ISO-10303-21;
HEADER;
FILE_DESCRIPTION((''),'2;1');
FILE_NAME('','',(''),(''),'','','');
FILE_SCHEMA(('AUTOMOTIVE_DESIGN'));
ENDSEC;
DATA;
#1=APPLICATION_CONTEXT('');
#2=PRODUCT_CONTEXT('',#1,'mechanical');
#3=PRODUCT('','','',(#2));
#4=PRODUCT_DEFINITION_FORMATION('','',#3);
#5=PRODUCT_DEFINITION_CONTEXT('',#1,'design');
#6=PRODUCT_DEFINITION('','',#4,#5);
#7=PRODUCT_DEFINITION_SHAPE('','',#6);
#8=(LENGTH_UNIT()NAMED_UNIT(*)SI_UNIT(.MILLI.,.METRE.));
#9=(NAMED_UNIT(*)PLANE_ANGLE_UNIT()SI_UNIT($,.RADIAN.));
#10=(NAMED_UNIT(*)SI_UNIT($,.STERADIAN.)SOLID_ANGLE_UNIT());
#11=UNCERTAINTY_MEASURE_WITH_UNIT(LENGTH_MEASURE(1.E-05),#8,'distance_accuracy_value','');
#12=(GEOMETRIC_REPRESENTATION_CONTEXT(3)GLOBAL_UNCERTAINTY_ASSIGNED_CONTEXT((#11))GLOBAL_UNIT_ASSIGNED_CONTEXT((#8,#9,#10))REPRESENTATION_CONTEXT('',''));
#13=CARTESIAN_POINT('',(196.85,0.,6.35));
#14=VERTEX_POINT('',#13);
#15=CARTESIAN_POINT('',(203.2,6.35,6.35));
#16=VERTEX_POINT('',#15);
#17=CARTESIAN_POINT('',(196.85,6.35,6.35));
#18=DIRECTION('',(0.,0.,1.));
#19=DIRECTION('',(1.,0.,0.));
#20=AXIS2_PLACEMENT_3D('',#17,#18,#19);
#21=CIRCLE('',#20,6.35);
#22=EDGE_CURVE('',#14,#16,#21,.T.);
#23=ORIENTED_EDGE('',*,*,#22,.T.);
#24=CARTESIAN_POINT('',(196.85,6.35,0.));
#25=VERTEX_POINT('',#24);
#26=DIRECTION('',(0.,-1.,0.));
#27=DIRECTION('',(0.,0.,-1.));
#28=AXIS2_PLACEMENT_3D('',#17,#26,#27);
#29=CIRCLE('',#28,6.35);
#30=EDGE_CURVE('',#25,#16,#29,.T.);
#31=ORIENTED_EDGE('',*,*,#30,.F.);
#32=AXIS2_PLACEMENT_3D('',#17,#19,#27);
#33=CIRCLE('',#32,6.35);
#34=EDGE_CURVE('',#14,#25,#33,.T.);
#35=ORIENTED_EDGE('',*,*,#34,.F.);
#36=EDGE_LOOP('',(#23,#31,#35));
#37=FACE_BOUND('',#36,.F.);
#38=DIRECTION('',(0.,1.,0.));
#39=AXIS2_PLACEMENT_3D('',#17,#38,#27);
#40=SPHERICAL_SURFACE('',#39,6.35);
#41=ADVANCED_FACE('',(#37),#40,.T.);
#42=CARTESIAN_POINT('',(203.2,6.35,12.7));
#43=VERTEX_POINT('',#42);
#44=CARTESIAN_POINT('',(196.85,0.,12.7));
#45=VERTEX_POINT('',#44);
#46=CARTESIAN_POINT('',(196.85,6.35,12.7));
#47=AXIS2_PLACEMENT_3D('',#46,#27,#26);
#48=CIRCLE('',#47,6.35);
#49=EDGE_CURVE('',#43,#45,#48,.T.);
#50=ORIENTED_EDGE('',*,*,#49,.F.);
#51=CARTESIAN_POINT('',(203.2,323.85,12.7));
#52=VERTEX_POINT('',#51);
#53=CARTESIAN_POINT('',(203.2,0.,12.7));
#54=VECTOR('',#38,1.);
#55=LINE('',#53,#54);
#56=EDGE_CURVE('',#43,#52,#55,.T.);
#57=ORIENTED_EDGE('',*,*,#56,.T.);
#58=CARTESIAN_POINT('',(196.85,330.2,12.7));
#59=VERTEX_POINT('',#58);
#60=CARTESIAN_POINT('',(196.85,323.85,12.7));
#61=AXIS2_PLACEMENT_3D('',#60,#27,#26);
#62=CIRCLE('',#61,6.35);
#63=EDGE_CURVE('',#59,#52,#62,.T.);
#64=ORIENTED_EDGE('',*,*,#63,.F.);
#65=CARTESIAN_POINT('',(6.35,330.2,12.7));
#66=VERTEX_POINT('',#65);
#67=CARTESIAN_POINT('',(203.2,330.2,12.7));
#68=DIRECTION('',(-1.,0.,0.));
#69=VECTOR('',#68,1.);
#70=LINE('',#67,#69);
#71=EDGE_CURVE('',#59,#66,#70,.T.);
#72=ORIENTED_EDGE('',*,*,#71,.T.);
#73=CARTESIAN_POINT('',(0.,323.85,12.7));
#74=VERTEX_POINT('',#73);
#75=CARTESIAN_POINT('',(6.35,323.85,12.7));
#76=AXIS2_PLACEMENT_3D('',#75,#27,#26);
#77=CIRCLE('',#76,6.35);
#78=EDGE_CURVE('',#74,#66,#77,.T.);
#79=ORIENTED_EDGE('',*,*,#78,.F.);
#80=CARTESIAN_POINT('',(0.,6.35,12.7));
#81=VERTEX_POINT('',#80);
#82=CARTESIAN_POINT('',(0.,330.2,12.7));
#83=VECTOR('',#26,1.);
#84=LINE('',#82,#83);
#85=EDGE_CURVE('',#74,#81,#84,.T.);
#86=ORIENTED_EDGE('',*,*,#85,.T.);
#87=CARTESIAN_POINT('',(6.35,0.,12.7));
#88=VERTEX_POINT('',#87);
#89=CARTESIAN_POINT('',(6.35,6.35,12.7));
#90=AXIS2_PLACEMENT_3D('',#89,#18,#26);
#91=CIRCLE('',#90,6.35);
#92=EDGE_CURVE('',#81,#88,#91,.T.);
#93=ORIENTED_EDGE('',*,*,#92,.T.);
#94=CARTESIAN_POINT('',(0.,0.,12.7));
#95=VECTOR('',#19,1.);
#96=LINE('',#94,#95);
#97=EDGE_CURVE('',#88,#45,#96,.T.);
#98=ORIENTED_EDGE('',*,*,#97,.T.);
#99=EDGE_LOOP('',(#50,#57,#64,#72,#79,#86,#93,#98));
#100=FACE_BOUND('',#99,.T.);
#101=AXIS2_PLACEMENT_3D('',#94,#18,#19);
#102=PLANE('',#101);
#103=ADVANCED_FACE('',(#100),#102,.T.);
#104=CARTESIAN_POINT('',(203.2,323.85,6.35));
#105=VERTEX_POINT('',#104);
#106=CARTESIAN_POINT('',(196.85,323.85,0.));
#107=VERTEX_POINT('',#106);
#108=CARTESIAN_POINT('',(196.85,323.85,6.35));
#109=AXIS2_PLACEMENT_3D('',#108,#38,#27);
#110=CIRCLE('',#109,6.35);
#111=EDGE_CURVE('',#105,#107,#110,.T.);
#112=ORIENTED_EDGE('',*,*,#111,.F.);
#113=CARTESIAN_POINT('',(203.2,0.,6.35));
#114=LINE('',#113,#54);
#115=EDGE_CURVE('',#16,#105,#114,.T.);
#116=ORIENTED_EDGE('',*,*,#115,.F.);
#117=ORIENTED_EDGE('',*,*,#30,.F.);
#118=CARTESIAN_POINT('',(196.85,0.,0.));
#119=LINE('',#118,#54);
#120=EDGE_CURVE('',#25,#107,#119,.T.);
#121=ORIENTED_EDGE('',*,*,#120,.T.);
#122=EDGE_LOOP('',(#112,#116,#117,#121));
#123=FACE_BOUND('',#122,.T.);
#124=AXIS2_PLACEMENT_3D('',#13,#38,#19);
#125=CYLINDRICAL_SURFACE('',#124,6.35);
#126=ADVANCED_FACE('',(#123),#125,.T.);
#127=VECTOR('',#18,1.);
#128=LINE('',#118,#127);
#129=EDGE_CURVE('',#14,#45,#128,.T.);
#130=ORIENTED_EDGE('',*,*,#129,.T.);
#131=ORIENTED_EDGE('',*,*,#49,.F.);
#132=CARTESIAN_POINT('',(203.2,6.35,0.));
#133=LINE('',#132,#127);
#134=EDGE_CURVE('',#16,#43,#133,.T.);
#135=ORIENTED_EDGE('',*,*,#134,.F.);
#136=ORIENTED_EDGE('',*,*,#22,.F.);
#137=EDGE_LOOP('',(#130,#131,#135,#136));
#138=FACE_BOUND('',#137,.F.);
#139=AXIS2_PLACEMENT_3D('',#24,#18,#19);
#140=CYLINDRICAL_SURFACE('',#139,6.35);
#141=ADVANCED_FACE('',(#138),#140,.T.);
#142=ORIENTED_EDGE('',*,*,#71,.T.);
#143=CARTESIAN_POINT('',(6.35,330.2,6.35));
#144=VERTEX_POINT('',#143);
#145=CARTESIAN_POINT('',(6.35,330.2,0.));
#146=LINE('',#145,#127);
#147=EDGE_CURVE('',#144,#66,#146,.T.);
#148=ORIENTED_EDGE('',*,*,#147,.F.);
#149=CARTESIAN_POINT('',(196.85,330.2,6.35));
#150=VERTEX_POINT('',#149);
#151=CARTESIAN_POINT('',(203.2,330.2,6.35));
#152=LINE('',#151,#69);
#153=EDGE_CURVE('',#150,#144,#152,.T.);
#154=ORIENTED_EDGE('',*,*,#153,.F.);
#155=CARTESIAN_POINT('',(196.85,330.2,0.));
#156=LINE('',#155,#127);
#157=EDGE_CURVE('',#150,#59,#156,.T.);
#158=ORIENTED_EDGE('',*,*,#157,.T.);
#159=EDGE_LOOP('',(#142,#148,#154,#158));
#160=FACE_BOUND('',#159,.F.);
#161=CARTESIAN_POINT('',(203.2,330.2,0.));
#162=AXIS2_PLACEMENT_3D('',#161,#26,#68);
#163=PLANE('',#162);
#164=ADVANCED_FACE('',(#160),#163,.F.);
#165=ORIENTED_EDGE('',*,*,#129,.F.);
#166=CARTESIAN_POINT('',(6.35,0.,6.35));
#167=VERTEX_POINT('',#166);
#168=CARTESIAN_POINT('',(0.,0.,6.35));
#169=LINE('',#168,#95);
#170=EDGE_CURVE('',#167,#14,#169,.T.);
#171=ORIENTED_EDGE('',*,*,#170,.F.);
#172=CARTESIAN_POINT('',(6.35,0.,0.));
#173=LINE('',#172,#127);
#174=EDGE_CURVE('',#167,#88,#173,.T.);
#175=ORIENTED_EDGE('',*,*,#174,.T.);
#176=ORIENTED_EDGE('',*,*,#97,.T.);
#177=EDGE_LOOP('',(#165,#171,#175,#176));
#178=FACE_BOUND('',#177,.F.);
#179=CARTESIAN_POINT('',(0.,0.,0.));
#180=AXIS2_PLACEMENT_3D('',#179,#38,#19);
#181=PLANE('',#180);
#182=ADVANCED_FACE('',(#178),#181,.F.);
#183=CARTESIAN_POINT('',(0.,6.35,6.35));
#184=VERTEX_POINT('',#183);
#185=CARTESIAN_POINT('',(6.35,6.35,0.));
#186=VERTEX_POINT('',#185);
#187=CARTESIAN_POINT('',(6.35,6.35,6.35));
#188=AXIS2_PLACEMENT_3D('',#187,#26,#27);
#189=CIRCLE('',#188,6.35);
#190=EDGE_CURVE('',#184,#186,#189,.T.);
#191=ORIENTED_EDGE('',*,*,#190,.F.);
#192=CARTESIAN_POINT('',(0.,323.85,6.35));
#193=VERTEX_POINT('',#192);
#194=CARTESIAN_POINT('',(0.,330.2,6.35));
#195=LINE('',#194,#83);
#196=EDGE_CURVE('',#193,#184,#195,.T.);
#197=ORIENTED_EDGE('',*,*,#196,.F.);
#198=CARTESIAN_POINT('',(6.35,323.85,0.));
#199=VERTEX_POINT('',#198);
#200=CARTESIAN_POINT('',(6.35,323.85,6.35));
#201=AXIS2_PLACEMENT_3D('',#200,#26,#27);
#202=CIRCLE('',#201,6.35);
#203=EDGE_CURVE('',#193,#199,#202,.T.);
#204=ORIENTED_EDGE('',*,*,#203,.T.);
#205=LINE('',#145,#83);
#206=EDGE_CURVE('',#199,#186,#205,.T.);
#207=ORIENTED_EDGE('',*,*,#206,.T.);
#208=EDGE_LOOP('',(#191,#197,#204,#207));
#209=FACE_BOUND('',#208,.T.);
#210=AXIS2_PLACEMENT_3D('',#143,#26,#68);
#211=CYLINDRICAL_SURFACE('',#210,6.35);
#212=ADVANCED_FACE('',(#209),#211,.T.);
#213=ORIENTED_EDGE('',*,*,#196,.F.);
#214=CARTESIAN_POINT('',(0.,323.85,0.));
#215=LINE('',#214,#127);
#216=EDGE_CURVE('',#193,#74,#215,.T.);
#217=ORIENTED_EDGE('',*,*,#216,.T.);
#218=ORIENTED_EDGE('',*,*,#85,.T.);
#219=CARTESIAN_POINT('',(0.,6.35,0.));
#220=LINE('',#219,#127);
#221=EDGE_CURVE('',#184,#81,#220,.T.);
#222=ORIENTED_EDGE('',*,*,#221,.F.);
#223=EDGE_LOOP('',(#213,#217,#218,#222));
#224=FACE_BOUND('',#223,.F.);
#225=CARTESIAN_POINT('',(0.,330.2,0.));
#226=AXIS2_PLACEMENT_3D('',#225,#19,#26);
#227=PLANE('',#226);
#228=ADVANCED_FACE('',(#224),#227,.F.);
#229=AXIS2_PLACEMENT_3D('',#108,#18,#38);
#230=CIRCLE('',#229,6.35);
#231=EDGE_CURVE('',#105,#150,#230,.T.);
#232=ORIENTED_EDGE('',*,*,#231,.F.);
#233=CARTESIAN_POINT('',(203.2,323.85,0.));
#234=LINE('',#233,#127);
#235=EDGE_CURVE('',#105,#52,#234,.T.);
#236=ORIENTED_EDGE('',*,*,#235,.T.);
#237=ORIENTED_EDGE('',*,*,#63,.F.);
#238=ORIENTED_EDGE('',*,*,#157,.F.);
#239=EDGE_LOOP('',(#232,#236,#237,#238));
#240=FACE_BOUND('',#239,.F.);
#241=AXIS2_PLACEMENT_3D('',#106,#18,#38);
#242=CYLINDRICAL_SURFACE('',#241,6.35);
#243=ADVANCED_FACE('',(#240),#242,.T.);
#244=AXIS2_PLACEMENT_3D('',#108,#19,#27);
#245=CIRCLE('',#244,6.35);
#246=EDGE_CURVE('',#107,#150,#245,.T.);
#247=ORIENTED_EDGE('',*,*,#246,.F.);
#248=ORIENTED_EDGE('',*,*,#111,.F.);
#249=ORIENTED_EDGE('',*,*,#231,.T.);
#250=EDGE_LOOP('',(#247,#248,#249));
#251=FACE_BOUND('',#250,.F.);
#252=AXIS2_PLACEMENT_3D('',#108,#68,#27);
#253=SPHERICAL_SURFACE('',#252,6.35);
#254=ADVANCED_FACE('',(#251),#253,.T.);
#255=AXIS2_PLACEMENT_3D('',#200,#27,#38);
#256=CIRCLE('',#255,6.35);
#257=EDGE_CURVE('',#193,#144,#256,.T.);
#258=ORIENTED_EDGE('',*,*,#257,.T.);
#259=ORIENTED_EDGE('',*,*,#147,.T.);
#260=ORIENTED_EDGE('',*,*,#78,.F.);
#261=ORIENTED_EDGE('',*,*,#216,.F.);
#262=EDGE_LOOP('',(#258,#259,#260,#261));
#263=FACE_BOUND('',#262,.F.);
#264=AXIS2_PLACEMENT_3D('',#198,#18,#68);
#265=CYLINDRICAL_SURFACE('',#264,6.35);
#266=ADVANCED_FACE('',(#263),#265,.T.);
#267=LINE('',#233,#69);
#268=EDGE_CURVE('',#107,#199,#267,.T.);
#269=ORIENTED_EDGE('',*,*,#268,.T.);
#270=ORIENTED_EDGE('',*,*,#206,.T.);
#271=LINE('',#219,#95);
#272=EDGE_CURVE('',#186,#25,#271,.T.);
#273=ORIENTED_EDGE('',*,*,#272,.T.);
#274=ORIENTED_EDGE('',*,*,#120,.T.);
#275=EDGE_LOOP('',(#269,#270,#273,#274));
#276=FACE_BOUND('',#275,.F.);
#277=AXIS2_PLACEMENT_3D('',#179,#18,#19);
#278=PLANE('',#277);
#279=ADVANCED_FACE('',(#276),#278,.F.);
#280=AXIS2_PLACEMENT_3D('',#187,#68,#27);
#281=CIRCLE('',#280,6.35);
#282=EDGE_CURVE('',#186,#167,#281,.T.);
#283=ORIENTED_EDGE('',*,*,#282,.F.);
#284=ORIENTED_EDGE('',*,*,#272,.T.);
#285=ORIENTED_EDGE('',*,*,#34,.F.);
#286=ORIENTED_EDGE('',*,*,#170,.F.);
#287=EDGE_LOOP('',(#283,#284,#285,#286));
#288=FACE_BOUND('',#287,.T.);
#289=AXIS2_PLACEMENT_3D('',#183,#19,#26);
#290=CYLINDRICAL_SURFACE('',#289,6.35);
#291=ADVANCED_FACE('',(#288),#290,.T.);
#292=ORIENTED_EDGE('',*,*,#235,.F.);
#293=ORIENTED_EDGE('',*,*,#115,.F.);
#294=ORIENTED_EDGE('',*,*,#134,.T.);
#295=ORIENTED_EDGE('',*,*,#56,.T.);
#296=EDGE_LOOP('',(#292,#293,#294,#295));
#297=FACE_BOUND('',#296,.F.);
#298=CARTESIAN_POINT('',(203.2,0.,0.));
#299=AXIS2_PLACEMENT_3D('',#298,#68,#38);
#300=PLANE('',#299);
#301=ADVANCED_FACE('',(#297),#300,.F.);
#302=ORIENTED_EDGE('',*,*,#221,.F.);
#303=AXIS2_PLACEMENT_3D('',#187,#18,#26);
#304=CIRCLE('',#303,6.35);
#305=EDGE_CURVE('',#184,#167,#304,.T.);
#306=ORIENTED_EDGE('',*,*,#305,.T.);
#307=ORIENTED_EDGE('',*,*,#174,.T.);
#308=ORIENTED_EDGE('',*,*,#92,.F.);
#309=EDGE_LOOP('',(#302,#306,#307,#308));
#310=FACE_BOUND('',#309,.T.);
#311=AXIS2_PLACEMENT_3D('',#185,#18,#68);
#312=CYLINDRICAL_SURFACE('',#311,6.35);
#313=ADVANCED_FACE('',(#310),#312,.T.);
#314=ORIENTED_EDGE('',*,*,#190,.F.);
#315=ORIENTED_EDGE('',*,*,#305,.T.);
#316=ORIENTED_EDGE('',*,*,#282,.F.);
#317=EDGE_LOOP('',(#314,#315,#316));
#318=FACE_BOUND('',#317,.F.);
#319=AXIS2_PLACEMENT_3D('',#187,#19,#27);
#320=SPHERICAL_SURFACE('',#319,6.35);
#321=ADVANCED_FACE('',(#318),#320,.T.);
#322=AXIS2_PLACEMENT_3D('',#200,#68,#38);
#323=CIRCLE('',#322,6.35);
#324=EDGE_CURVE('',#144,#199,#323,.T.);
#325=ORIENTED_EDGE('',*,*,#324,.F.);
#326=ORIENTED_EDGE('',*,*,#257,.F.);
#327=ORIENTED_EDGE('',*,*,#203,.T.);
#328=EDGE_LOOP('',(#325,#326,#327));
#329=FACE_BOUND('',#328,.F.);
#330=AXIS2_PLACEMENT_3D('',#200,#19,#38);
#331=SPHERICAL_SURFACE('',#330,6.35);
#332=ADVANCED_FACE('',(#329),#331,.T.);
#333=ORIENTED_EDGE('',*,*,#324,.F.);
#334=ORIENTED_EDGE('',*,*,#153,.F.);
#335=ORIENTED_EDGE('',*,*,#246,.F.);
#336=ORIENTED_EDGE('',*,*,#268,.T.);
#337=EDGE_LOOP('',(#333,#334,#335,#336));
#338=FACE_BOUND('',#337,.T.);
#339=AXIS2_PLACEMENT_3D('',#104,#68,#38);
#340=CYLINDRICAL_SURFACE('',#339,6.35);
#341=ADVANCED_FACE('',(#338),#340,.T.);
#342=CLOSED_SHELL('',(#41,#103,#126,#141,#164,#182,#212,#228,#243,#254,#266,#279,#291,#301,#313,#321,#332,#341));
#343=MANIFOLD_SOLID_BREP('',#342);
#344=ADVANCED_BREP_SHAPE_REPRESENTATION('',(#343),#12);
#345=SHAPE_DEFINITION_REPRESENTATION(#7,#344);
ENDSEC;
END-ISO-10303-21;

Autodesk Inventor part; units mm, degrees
ref_plane "YZ Plane" through (0, 0, 0) normal (1, 0, 0) x (0, 1, 0)
ref_plane "XZ Plane" through (0, 0, 0) normal (0, 1, 0) x (-1, 0, 0)
ref_plane "XY Plane" through (0, 0, 0) normal (0, 0, 1) x (1, 0, 0)
sketch "Sketch1" plane through (0, 0, 0) normal (0, 0, 1) x (1, 0, 0)
  line L0 (0, 0) -> (203.2, 0)
  line L1 (203.2, 0) -> (203.2, 330.2)
  line L2 (203.2, 330.2) -> (0, 330.2)
  line L3 (0, 330.2) -> (0, 0)
  dimension "d7" = 203.2
  dimension "d8" = 330.2
extrude "Extrusion1" add sketch "Sketch1" along normal blind 12.7
fillet "Fillet1" radius 6.35 8 edges at (101.6, 330.2, 0) (203.2, 165.1, 0) (203.2, 330.2, 6.35) (0, 330.2, 6.35) (101.6, 0, 0) (0, 165.1, 0) (0, 0, 6.35) (203.2, 0, 6.35)
properties material "MDF Medium Density Fiberboard"
